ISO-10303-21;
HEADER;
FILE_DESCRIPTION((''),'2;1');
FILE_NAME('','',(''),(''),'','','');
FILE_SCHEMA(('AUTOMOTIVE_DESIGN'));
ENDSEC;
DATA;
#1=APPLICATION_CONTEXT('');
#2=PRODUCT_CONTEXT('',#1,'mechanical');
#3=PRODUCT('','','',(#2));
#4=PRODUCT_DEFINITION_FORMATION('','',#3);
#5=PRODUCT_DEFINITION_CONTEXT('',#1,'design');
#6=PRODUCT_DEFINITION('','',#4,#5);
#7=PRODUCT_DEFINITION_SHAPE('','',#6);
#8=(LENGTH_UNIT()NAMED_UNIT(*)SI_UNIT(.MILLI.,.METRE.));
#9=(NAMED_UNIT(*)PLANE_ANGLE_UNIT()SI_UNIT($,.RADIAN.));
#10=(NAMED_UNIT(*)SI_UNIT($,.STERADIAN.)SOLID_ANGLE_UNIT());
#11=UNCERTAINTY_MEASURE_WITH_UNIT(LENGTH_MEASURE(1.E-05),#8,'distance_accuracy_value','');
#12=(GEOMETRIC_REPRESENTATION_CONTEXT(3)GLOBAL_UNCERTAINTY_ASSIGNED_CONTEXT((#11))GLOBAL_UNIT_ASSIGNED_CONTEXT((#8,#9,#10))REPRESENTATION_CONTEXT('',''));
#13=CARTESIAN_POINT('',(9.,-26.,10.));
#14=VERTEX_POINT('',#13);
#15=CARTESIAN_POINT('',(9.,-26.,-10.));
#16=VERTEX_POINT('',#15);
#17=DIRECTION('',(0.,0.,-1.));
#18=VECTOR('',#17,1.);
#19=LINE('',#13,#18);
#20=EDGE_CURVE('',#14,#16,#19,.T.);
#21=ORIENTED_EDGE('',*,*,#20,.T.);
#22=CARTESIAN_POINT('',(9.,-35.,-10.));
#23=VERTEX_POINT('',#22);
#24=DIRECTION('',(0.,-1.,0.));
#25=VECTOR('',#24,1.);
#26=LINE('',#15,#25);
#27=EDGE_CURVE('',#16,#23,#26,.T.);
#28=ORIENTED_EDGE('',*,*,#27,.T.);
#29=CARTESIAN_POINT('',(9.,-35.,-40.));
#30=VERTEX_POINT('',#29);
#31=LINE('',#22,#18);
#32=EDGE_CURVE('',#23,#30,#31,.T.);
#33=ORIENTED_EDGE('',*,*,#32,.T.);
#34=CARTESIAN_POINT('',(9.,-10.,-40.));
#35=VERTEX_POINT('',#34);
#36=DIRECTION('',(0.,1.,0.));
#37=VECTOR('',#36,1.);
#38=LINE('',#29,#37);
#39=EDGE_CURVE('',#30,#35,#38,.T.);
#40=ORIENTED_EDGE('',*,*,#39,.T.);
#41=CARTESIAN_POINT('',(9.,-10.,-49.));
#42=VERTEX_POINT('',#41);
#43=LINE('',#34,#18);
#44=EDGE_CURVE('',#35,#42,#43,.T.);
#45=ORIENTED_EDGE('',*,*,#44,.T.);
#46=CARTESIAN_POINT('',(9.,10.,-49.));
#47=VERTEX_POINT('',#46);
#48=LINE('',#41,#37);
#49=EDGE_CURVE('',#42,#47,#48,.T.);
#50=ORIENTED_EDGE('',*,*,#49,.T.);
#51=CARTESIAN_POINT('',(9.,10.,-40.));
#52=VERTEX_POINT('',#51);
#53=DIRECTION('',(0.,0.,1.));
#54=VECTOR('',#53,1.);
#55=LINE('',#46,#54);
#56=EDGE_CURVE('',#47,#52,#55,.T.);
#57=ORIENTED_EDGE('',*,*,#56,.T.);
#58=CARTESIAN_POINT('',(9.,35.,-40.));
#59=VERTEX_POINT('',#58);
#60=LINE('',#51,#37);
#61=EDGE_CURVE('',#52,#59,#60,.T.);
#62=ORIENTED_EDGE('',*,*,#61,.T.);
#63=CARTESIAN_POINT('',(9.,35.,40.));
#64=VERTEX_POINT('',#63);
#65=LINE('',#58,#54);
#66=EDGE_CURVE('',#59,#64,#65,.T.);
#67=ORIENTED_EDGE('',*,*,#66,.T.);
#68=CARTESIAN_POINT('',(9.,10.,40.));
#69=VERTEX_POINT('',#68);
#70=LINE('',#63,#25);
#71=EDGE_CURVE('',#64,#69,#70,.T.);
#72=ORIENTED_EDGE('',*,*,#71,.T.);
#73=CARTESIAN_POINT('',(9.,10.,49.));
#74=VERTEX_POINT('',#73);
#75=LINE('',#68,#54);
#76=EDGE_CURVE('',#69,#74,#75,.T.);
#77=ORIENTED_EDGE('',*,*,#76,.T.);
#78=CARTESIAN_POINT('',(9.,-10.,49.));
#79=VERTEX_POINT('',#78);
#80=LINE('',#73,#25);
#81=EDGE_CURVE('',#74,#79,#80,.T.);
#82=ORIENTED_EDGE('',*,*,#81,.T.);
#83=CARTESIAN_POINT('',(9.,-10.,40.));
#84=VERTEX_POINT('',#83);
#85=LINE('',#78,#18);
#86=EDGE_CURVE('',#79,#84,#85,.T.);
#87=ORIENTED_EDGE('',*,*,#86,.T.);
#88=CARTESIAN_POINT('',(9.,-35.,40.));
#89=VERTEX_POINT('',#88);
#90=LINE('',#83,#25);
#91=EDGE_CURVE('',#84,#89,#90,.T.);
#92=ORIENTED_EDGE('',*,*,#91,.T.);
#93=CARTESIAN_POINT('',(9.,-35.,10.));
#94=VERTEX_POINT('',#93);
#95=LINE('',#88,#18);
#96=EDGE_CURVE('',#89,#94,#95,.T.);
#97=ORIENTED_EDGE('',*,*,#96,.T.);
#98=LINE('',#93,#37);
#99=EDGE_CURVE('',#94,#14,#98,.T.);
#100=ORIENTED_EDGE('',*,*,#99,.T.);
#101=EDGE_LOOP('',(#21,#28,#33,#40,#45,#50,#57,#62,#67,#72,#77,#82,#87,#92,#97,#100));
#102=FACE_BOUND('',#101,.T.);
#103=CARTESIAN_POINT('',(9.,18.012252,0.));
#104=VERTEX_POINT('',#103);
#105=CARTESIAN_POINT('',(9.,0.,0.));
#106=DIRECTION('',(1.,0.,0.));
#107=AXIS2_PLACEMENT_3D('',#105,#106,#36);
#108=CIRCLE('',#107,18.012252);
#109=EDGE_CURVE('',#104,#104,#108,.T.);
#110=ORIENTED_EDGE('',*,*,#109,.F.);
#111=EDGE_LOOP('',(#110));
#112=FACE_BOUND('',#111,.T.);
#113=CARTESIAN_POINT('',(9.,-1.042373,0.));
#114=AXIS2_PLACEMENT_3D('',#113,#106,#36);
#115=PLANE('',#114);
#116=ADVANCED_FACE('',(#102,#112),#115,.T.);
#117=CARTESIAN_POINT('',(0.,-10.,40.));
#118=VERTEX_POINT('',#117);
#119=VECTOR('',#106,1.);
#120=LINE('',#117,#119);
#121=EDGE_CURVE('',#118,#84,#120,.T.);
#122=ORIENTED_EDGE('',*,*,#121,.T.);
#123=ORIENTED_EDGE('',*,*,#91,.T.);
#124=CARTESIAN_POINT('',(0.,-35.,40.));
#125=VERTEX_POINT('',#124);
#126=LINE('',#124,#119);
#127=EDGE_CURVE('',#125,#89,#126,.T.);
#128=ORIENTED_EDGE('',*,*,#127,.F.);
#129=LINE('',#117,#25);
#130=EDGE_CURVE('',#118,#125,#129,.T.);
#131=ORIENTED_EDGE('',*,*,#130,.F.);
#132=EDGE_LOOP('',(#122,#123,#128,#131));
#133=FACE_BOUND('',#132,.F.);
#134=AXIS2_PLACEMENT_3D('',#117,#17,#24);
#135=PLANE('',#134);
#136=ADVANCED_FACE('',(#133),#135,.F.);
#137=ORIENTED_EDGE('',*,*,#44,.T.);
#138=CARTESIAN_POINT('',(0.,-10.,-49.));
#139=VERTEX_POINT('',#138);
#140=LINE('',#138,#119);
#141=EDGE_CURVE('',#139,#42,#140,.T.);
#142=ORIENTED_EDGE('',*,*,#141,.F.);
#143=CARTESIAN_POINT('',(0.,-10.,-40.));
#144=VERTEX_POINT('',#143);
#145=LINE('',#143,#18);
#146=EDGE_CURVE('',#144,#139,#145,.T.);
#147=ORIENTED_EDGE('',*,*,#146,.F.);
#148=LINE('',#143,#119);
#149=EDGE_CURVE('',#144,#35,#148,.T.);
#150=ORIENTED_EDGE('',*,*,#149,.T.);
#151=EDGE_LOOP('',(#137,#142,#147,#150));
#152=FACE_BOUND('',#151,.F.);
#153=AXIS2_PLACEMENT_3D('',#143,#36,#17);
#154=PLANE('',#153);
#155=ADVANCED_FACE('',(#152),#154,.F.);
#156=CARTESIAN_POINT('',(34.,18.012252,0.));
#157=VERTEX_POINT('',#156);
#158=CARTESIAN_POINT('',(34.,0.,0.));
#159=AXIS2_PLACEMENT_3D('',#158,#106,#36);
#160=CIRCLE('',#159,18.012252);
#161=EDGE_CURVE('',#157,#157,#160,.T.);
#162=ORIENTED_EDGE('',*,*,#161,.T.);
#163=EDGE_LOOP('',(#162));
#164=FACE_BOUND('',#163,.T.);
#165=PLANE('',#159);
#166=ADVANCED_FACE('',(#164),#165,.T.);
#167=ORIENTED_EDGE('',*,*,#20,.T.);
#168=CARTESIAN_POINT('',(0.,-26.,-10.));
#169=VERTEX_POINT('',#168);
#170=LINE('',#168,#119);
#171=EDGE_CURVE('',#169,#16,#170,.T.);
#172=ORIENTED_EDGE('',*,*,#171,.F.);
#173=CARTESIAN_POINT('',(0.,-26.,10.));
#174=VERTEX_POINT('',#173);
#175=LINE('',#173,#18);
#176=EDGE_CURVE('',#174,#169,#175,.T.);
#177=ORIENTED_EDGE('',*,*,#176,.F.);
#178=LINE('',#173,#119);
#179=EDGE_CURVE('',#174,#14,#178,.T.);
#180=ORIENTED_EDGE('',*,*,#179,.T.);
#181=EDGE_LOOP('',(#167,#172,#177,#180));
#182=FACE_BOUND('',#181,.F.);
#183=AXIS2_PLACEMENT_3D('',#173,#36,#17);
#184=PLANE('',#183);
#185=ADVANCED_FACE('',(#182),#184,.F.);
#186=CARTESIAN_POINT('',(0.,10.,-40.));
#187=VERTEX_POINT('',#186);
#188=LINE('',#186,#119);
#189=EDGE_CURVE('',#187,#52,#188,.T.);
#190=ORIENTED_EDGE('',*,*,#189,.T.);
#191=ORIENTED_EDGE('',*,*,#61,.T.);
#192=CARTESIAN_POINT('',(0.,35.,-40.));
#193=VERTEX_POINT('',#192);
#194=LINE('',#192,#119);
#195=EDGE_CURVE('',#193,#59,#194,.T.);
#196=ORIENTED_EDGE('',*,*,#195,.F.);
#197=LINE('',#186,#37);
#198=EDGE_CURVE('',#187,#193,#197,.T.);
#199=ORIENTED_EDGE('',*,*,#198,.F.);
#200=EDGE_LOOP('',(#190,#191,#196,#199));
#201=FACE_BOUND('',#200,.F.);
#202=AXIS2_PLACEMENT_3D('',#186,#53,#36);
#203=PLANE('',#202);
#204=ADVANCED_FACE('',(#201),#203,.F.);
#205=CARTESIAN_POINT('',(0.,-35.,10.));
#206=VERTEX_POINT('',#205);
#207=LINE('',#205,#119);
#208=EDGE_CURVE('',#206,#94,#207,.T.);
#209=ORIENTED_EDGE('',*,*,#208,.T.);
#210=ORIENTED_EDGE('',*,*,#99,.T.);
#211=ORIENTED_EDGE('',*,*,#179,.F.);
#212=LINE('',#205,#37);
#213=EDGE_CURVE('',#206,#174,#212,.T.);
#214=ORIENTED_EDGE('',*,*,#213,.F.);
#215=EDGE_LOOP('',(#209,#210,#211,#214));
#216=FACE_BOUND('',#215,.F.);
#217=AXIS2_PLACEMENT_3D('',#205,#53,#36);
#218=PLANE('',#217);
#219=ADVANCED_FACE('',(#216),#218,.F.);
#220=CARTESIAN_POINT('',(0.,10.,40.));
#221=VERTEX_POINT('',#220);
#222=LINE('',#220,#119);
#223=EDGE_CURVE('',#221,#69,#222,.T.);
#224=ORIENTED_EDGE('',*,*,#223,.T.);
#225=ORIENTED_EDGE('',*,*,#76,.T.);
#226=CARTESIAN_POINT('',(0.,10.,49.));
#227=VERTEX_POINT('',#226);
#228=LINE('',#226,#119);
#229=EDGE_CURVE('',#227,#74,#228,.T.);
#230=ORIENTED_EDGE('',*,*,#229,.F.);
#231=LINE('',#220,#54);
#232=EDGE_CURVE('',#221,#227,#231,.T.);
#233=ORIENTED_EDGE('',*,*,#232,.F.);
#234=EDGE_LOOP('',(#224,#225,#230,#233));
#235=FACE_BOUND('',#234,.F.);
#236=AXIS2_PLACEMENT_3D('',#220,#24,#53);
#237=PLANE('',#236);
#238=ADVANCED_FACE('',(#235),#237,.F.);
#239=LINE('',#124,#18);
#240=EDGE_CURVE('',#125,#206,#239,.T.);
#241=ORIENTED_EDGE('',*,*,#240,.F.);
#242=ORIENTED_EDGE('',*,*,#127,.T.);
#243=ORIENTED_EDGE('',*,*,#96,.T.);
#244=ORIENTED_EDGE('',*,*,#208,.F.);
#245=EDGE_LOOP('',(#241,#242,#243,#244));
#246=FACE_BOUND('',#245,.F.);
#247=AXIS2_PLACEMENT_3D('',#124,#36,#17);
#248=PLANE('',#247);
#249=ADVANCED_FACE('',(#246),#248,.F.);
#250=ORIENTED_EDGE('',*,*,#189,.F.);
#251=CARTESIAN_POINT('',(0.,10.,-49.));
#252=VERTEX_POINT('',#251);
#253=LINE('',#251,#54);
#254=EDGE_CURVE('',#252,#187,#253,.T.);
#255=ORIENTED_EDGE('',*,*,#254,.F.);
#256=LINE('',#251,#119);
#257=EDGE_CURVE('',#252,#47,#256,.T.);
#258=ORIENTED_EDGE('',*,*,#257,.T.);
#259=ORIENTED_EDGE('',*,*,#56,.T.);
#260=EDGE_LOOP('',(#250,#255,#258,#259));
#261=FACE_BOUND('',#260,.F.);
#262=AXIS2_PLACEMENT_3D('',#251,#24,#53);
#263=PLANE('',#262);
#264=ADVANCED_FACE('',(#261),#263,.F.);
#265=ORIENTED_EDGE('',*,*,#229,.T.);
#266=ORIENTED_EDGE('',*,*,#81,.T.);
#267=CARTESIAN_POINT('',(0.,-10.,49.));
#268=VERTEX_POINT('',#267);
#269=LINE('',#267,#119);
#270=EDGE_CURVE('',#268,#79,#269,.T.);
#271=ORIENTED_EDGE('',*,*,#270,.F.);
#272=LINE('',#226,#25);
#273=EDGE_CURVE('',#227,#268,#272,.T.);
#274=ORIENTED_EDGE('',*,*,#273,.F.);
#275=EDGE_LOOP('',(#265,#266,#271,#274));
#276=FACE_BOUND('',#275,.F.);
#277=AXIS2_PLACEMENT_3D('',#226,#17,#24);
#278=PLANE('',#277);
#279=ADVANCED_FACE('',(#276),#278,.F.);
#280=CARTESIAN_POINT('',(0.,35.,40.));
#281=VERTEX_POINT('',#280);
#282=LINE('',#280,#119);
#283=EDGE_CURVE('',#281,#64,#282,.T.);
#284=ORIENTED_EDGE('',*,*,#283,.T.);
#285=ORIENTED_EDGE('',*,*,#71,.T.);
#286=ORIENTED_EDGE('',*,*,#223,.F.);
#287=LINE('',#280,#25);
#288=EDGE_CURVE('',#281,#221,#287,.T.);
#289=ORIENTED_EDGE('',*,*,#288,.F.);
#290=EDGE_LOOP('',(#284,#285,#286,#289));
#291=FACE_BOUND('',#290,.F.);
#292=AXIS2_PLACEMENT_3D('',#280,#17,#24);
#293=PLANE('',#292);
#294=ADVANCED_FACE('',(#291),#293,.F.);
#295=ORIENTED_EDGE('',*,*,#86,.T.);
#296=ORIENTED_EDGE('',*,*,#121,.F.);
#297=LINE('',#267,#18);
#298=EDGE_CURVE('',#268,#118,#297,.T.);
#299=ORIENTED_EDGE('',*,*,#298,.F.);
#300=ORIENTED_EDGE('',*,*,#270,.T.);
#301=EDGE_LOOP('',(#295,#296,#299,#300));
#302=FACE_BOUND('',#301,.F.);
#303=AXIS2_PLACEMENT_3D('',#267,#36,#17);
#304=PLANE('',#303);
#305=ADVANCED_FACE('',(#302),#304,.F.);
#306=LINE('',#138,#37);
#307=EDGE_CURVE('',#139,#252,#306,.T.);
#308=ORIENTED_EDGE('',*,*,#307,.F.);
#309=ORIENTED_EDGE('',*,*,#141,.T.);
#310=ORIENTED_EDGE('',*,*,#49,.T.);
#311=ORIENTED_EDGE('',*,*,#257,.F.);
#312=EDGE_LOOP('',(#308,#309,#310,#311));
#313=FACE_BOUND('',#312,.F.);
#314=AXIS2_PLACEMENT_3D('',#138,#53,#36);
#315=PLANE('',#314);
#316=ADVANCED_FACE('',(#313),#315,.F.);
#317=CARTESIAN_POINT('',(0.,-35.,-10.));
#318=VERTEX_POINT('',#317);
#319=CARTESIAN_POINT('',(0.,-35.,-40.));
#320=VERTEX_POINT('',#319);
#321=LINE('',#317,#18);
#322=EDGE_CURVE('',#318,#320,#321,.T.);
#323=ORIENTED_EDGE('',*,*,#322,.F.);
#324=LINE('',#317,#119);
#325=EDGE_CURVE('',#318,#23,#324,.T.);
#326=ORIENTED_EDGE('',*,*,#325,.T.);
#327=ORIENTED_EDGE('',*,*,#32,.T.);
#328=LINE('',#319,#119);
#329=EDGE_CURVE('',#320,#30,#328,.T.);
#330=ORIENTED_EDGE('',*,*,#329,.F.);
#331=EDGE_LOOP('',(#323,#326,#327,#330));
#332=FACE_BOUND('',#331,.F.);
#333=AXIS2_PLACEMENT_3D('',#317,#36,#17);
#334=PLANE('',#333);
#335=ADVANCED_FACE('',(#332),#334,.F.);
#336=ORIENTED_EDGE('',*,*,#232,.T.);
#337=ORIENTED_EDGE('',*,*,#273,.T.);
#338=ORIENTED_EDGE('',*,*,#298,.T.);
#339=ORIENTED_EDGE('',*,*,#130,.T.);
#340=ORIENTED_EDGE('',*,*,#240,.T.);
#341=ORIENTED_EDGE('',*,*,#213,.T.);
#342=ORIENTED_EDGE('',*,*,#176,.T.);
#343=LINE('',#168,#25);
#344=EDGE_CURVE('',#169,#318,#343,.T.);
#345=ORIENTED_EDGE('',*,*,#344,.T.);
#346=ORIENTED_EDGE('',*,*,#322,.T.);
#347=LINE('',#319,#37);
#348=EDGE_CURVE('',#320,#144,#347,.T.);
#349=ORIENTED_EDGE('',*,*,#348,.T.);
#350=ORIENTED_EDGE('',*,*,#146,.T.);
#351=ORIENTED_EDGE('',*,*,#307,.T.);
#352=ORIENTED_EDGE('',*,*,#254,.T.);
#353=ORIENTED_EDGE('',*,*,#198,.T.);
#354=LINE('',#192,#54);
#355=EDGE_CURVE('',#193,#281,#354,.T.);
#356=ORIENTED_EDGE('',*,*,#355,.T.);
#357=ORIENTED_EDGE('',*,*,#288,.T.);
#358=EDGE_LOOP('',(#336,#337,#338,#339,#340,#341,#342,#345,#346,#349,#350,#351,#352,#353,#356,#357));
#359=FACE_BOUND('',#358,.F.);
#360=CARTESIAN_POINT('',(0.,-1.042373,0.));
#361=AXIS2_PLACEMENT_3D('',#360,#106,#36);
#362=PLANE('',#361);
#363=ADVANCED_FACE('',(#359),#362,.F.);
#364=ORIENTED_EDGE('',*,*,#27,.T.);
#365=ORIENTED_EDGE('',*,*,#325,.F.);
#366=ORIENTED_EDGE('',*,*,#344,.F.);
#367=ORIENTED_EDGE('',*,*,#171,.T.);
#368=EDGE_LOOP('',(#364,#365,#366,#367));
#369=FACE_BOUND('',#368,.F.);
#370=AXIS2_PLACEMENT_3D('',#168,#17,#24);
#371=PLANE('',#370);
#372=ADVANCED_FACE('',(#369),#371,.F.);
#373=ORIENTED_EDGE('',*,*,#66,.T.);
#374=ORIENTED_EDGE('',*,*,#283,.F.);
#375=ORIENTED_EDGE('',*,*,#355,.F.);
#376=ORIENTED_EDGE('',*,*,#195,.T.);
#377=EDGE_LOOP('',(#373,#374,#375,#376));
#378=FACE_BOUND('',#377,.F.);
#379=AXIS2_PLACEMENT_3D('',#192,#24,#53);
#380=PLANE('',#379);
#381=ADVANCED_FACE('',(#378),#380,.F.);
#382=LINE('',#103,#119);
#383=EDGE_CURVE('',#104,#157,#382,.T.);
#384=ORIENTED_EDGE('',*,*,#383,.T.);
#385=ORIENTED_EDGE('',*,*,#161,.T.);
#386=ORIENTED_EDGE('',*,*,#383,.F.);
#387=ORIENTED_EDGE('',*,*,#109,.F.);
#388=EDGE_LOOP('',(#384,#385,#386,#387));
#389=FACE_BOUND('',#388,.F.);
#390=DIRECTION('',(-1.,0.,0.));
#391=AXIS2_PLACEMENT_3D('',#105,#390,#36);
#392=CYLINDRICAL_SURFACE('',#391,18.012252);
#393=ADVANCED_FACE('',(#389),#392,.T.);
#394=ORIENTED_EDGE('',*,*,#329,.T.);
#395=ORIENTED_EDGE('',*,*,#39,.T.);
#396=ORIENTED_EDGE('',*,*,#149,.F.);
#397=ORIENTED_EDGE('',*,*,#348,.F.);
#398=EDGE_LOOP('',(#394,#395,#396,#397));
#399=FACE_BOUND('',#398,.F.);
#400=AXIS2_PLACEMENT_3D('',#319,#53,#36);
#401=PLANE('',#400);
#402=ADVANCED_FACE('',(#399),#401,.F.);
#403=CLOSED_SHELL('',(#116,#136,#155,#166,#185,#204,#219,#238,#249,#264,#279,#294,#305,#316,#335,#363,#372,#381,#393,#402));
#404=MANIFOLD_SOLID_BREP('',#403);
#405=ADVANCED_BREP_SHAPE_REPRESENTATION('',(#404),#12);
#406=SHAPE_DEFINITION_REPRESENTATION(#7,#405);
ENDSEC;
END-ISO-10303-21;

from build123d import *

# Parameters (mm, degrees)
F1_DEPTH = 9
F2_R     = 18.012252
F3_DEPTH = 25


with BuildPart() as f1:
    # F0 (on Right) → F1 (new body)
    with BuildSketch(Plane.YZ):
        Polygon((10, 40), (10, 49), (-10, 49), (-10, 40), (-35, 40), (-35, 10), (-26, 10), (-26, -10), (-35, -10), (-35, -40), (-10, -40), (-10, -49), (10, -49), (10, -40), (35, -40), (35, 40), align=None)
    extrude(amount=F1_DEPTH)

    # F2 (on face) → F3 (join)
    with BuildSketch(Plane.YZ.offset(9)):
        Circle(F2_R)
    extrude(amount=F3_DEPTH)


solid = f1.part
